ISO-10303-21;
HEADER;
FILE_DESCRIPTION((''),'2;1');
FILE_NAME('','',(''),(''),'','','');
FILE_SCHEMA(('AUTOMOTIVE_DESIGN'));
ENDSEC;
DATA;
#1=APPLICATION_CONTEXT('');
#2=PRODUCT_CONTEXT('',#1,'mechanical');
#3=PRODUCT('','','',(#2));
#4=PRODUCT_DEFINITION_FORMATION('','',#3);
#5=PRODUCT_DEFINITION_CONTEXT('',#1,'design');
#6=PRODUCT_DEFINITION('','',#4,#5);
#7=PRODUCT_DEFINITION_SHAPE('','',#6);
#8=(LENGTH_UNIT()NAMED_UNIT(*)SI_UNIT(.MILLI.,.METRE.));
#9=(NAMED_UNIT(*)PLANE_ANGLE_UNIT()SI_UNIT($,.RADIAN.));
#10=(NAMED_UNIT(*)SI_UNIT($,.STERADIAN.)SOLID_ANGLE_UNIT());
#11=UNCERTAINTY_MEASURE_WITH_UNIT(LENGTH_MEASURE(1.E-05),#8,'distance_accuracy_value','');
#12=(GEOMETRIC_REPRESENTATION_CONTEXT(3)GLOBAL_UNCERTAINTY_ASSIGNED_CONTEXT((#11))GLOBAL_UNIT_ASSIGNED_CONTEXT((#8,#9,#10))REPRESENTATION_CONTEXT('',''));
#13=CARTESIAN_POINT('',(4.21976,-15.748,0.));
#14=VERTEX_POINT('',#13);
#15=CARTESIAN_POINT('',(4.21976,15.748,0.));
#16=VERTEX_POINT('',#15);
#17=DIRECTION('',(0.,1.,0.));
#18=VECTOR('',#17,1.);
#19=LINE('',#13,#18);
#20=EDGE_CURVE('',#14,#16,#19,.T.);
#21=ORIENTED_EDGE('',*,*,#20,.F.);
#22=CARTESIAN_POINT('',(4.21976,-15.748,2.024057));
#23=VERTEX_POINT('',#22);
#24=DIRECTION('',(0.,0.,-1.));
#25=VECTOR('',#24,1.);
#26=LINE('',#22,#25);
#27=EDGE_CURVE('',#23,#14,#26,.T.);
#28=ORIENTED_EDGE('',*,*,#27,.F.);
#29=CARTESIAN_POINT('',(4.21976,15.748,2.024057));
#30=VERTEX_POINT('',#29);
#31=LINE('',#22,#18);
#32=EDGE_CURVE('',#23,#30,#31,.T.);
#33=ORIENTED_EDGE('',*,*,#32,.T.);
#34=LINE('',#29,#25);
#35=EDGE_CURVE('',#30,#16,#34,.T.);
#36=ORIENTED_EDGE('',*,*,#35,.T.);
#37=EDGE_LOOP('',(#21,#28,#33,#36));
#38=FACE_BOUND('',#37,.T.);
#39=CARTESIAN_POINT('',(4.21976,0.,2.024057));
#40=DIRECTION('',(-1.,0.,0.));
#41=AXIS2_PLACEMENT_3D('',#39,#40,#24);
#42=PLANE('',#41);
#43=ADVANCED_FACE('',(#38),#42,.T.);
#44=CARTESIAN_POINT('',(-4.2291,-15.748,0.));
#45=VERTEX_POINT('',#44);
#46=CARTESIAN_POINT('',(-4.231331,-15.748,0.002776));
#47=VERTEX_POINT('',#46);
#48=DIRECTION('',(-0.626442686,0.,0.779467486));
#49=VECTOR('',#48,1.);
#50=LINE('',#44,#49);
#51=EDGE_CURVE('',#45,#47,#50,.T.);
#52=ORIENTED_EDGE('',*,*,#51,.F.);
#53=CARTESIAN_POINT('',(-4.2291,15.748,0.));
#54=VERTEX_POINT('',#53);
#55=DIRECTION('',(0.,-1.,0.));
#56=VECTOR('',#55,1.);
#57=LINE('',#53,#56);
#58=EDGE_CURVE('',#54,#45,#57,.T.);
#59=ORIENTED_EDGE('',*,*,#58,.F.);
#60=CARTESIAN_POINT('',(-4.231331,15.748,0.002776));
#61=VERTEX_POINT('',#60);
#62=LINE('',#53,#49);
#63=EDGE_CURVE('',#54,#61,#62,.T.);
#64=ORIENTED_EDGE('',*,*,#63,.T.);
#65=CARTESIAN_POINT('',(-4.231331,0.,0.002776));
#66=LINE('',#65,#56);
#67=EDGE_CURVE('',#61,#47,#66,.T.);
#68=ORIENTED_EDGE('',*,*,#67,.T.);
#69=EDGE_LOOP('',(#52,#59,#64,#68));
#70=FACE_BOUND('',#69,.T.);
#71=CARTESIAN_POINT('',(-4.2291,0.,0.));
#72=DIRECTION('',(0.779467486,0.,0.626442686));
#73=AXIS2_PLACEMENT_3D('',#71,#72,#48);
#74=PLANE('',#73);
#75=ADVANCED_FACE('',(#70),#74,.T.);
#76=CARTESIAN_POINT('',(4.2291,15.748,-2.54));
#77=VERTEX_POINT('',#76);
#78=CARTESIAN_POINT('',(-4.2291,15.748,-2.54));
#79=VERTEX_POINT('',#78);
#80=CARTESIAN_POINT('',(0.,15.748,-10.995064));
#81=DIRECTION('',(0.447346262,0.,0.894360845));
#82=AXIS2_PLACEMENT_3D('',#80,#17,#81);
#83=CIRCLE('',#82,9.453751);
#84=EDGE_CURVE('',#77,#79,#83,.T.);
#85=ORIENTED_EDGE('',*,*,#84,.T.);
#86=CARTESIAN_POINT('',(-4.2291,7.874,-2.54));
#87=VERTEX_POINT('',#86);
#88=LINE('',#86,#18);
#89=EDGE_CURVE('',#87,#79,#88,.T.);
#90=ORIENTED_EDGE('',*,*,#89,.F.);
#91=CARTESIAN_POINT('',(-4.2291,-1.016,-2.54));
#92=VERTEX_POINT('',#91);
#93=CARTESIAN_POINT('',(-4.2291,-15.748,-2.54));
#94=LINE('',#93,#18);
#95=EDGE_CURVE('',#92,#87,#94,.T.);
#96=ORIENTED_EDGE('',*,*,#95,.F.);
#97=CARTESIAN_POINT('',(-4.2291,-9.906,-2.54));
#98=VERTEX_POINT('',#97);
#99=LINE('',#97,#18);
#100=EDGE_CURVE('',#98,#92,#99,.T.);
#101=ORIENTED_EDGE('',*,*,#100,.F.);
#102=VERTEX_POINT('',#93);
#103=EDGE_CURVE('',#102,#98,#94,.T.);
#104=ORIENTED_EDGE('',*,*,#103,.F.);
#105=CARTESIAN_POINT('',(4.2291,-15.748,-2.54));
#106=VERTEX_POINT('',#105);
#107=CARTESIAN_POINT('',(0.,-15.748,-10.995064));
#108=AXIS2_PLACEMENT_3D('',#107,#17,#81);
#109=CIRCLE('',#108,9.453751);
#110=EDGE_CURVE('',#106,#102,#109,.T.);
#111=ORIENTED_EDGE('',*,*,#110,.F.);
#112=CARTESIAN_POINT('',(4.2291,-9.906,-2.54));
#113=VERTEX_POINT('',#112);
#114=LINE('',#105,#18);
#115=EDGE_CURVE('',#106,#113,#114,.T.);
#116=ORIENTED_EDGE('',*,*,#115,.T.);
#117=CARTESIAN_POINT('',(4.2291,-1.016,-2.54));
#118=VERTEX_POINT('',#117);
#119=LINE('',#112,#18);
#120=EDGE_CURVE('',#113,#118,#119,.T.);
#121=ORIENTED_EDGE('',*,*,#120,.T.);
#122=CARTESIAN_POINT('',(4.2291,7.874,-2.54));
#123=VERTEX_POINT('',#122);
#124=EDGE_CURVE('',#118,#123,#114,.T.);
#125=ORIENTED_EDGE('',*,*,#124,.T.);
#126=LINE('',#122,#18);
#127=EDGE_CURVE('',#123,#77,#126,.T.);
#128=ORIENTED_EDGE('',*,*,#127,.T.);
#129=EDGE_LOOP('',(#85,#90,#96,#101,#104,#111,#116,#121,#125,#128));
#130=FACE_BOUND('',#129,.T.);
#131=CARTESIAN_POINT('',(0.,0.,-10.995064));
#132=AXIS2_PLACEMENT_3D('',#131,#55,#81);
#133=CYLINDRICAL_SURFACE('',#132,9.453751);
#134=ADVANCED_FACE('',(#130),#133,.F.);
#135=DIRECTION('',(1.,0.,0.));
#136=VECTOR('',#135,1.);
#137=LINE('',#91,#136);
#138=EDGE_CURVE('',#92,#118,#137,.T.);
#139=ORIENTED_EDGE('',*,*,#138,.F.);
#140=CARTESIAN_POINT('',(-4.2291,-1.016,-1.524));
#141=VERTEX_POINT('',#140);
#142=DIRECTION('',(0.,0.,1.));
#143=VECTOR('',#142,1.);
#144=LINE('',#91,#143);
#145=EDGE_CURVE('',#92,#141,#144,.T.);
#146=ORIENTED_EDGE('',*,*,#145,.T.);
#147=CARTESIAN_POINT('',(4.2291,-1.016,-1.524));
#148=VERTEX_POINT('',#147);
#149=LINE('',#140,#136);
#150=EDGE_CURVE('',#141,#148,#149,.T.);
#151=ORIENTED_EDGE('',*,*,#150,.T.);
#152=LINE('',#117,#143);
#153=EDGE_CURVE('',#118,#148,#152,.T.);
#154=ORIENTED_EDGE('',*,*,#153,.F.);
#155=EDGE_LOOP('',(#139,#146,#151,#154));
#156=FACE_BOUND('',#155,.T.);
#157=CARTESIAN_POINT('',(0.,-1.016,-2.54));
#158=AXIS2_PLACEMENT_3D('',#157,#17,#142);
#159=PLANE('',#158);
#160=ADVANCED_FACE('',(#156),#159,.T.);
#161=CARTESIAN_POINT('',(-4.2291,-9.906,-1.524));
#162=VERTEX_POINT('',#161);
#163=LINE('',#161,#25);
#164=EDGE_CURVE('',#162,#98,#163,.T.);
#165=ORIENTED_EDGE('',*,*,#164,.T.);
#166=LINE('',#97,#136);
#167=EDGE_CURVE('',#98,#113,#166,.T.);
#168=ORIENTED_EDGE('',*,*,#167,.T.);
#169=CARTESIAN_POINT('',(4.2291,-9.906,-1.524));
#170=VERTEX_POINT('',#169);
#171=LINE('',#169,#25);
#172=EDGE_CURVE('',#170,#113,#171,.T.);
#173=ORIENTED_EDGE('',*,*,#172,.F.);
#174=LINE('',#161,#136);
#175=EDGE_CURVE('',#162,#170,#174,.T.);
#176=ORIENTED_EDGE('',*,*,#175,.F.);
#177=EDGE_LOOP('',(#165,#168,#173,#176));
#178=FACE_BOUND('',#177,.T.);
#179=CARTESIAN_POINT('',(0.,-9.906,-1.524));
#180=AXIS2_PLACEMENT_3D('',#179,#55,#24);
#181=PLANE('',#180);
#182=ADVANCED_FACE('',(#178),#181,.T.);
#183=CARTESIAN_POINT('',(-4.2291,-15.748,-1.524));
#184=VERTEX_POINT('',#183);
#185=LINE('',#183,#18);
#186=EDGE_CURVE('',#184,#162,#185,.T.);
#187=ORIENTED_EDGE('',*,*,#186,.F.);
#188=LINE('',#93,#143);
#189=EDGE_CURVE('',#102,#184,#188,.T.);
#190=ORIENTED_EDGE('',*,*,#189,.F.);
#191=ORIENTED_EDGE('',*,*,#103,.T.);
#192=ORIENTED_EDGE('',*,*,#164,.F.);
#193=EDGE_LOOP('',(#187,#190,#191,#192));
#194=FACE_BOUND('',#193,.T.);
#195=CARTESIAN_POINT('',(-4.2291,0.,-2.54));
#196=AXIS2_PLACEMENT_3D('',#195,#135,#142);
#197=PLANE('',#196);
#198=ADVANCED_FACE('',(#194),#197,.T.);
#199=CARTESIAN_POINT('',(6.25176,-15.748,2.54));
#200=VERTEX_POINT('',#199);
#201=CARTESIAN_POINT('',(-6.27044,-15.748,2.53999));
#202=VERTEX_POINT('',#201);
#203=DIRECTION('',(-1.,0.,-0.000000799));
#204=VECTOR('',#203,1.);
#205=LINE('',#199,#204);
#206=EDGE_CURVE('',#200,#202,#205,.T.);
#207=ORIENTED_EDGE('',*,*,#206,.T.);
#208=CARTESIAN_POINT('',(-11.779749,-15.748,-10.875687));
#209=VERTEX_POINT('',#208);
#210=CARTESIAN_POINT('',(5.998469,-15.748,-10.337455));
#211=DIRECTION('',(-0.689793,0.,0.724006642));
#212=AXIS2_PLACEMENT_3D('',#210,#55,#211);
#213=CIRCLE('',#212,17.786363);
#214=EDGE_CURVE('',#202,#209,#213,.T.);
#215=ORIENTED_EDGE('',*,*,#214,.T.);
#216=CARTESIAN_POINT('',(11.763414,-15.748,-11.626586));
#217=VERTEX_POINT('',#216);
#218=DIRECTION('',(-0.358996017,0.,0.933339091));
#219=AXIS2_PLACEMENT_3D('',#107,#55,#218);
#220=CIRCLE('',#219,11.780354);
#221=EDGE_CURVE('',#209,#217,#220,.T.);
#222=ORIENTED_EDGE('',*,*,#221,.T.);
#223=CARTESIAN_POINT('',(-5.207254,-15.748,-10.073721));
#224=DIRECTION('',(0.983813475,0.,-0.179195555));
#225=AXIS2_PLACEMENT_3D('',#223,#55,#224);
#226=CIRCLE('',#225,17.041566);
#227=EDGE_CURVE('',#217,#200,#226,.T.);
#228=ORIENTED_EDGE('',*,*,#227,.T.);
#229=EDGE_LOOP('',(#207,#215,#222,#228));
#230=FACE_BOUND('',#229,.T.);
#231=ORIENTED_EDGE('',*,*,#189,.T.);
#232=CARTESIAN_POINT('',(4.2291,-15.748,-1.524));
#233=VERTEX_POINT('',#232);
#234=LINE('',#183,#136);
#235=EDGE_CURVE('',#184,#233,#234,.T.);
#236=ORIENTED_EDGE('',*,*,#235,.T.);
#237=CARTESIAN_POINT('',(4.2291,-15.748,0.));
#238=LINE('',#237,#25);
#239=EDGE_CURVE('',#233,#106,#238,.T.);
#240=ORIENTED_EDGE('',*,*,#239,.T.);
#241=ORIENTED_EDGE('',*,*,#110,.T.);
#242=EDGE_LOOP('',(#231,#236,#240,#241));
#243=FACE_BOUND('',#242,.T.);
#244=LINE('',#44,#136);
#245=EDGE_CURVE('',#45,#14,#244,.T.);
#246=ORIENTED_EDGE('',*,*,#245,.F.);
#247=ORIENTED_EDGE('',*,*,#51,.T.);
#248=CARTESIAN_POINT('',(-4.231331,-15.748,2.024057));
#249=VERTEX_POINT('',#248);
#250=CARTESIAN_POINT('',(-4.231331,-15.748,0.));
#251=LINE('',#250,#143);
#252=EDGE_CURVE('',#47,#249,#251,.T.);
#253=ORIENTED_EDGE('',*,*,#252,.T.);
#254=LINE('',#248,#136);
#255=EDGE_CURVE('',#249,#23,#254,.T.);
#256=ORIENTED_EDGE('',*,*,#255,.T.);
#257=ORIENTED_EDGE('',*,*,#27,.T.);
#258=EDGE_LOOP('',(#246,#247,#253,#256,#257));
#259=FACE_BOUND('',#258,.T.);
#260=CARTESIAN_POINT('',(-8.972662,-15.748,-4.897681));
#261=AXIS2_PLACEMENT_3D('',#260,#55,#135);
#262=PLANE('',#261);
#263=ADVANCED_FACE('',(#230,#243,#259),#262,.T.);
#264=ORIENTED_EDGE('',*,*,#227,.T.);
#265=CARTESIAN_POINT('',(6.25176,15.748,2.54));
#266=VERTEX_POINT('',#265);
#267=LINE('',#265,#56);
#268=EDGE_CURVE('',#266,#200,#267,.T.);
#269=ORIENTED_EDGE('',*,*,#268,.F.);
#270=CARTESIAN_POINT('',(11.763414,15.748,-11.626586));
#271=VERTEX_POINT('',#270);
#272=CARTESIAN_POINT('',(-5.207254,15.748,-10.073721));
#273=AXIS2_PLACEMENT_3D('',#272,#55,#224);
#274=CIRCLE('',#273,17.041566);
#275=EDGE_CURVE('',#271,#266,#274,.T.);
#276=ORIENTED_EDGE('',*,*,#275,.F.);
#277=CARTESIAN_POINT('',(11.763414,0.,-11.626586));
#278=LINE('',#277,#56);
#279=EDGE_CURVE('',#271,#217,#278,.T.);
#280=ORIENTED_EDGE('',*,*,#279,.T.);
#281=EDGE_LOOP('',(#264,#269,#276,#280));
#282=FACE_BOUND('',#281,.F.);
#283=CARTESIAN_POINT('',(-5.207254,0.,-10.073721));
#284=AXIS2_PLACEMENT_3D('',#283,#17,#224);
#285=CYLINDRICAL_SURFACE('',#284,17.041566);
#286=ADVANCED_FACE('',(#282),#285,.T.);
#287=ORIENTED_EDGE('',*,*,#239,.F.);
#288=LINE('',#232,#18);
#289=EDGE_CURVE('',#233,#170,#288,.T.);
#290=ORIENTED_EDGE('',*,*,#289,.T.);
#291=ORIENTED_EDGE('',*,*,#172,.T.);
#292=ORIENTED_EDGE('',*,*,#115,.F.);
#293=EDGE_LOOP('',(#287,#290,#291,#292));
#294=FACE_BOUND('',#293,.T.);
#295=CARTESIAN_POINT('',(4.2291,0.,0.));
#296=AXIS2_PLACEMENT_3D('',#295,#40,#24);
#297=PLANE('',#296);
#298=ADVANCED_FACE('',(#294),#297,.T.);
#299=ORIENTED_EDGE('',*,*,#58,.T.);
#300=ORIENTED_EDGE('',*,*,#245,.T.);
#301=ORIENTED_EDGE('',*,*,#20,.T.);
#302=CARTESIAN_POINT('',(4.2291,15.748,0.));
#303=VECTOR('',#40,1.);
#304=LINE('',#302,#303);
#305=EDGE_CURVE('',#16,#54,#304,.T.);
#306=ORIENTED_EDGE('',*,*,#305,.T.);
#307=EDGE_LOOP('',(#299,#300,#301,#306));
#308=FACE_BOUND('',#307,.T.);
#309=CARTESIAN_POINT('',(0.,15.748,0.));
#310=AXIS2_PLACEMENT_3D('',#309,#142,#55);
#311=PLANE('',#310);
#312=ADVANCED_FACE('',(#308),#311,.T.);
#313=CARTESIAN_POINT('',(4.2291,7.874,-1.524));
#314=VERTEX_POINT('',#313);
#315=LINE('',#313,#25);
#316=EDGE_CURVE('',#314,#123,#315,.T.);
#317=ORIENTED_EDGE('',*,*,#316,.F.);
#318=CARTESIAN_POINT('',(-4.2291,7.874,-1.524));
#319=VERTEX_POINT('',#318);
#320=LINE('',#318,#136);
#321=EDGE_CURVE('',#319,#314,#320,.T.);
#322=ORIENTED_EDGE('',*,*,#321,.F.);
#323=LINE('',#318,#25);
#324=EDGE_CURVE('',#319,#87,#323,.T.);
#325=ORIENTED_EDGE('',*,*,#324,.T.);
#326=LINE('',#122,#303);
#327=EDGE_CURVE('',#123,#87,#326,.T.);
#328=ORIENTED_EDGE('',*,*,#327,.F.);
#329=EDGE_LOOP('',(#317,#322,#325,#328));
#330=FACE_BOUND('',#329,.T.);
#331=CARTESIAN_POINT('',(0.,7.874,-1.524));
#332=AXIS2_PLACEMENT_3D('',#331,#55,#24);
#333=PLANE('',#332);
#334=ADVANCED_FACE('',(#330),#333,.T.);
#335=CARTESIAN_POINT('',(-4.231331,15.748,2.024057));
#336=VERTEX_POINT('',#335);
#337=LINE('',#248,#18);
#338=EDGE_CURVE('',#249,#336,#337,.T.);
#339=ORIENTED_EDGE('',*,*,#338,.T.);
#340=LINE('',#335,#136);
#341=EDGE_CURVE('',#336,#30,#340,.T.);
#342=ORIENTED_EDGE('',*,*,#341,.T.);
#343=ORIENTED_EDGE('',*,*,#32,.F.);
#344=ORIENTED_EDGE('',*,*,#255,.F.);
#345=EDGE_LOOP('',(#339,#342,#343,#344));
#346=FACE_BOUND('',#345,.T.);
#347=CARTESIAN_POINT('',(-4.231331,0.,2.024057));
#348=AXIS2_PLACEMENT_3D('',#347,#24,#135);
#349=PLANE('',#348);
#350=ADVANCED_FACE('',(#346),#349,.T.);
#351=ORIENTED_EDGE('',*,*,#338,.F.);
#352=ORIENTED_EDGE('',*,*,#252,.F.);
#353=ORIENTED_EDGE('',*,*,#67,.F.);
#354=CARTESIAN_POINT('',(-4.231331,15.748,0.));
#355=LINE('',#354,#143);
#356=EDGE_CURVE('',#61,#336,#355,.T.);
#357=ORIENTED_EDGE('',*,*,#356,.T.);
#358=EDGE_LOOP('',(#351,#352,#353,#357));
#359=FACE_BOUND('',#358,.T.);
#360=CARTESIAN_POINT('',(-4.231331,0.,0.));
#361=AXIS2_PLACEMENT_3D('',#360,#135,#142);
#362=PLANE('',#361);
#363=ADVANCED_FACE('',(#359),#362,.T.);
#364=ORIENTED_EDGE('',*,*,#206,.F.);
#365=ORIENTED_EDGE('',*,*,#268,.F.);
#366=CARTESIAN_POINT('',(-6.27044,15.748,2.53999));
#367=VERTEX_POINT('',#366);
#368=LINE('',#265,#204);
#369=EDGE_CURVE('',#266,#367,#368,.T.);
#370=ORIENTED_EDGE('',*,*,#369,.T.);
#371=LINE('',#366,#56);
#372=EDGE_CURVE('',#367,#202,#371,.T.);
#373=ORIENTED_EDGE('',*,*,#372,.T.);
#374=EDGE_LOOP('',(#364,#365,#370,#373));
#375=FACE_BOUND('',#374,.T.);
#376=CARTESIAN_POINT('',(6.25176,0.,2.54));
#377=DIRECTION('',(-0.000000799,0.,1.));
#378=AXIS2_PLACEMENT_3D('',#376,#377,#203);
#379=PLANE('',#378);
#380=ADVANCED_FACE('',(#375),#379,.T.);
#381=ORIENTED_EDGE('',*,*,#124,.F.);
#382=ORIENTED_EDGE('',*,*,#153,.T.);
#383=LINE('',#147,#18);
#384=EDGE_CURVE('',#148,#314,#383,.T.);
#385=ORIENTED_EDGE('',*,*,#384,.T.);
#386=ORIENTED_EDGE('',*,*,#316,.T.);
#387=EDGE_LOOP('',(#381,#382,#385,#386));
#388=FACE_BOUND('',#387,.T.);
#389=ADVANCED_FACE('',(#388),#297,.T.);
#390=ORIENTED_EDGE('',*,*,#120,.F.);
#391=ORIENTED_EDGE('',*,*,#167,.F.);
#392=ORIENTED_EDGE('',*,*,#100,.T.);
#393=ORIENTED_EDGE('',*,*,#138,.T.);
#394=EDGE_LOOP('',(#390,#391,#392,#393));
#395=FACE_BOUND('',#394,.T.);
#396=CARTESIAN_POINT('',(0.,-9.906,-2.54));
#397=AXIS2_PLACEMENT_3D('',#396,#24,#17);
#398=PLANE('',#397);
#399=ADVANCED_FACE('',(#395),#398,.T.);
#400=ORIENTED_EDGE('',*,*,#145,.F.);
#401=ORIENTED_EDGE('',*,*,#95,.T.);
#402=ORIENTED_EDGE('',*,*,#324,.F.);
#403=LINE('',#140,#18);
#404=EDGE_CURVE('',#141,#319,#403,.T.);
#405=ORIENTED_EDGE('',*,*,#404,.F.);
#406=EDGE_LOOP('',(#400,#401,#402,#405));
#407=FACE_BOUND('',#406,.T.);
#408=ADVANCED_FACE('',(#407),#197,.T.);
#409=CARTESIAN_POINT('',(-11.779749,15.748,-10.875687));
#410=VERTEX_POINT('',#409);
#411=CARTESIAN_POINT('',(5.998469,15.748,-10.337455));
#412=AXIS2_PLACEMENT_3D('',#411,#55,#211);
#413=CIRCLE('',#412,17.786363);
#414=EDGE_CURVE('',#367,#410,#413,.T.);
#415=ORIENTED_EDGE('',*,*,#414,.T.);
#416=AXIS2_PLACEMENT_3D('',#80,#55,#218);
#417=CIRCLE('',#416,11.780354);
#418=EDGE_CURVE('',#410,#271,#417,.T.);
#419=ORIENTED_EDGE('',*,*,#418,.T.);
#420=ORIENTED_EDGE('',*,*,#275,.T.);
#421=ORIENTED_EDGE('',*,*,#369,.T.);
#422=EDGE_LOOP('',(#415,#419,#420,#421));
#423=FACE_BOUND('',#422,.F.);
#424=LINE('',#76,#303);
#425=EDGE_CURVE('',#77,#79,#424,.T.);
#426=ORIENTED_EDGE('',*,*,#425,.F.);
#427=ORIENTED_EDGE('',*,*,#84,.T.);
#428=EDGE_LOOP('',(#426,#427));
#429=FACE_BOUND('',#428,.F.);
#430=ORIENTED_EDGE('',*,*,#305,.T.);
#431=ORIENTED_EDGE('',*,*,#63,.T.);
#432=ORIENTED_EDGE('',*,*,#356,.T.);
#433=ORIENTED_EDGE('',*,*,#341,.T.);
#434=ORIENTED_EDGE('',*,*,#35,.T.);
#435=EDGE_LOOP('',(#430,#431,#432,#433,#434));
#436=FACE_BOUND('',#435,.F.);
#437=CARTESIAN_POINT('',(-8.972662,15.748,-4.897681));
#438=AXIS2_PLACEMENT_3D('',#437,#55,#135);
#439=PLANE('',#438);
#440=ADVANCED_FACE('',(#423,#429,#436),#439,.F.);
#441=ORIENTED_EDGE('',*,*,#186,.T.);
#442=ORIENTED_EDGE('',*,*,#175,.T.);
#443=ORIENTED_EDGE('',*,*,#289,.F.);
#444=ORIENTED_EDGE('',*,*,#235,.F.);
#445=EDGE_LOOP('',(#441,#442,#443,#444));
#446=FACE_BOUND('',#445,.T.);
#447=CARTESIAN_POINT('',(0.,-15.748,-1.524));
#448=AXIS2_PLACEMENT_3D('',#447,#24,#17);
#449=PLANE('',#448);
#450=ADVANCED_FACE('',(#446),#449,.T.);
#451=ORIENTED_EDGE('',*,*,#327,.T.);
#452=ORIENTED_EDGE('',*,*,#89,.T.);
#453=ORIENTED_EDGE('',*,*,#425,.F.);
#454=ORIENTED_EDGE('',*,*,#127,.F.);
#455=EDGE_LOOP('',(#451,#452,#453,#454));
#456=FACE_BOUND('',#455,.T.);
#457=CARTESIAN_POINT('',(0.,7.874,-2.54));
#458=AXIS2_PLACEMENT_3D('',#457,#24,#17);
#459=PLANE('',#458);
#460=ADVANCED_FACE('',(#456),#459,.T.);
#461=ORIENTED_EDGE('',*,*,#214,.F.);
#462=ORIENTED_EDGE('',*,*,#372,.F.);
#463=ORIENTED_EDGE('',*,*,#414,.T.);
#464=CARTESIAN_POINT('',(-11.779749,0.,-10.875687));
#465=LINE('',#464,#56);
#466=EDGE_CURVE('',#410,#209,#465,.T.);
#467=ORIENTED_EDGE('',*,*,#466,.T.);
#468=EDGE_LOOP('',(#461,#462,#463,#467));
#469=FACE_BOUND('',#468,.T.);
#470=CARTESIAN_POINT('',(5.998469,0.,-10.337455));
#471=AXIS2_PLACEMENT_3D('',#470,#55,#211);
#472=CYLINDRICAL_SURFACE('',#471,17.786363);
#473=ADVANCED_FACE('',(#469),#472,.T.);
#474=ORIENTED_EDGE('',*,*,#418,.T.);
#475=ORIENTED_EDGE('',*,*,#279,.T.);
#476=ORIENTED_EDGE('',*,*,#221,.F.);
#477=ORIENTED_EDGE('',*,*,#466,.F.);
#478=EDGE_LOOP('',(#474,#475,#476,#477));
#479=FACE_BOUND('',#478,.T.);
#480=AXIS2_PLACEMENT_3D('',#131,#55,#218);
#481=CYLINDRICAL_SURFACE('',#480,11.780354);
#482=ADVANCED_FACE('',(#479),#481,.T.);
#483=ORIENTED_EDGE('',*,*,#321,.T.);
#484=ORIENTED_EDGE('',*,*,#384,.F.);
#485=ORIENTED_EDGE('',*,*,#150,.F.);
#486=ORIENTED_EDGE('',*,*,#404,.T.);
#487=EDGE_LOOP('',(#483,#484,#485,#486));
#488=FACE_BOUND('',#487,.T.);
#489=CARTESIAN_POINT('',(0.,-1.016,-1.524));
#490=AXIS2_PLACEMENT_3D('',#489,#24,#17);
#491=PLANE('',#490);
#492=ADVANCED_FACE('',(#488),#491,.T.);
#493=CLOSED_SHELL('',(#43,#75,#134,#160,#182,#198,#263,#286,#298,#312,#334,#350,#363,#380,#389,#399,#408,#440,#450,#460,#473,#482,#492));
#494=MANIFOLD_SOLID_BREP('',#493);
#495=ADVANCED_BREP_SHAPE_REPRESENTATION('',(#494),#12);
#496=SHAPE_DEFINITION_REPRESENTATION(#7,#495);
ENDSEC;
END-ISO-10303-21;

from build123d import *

# Parameters (mm, degrees)
F1_DEPTH = 4.2291
F3_DEPTH = 15.748
F5_DEPTH = 15.748
F7_DEPTH = 15.748


with BuildPart() as f1:
    # F0 (on Right) → F1 (new body, symmetric)
    with BuildSketch(Plane.YZ):
        Polygon((15.748, 0), (-15.748, 0), (-15.748, -1.524), (-9.906, -1.524), (-9.906, -2.54), (-1.016, -2.54), (-1.016, -1.524), (7.874, -1.524), (7.874, -2.54), (15.748, -2.54), align=None)
    extrude(amount=F1_DEPTH, both=True)

    # F2 (on Front) → F3 (join, symmetric)
    with BuildSketch(Plane.XZ):
        with BuildLine():
            Line((-4.2291, -2.54), (-4.2291, 0))
            ThreePointArc((-4.2291, 0), (0, -22.775418), (4.2291, 0))
            Line((4.2291, 0), (4.2291, -2.54))
            ThreePointArc((4.2291, -2.54), (0, -20.448815), (-4.2291, -2.54))
        make_face()
    extrude(amount=F3_DEPTH, both=True)

    # F4 (on Front) → F5 (join, symmetric)
    with BuildSketch(Plane.XZ):
        Polygon((4.21976, 0), (6.25176, 0), (6.25176, 2.54), (-6.27044, 2.53999), (-6.263331, 0), (-4.231331, 0), (-4.231331, 2.024057), (4.21976, 2.024057), align=None)
    extrude(amount=F5_DEPTH, both=True)

    # F6 (on Front) → F7 (join, symmetric)
    with BuildSketch(Plane.XZ):
        with BuildLine():
            ThreePointArc((4.2291, 0), (8.459615, -6.247831), (11.558468, -13.127494))
            ThreePointArc((11.558468, -13.127494), (10.93358, -4.606689), (6.25176, 2.54))
            Line((6.25176, 2.54), (4.2291, 0))
        make_face()
        with BuildLine():
            Line((-4.2291, 0), (-6.27044, 2.53999))
            ThreePointArc((-6.27044, 2.53999), (-10.850879, -4.640597), (-11.567703, -13.127494))
            ThreePointArc((-11.567703, -13.127494), (-8.993183, -5.951736), (-4.2291, 0))
        make_face()
    extrude(amount=F7_DEPTH, both=True)


solid = f1.part
